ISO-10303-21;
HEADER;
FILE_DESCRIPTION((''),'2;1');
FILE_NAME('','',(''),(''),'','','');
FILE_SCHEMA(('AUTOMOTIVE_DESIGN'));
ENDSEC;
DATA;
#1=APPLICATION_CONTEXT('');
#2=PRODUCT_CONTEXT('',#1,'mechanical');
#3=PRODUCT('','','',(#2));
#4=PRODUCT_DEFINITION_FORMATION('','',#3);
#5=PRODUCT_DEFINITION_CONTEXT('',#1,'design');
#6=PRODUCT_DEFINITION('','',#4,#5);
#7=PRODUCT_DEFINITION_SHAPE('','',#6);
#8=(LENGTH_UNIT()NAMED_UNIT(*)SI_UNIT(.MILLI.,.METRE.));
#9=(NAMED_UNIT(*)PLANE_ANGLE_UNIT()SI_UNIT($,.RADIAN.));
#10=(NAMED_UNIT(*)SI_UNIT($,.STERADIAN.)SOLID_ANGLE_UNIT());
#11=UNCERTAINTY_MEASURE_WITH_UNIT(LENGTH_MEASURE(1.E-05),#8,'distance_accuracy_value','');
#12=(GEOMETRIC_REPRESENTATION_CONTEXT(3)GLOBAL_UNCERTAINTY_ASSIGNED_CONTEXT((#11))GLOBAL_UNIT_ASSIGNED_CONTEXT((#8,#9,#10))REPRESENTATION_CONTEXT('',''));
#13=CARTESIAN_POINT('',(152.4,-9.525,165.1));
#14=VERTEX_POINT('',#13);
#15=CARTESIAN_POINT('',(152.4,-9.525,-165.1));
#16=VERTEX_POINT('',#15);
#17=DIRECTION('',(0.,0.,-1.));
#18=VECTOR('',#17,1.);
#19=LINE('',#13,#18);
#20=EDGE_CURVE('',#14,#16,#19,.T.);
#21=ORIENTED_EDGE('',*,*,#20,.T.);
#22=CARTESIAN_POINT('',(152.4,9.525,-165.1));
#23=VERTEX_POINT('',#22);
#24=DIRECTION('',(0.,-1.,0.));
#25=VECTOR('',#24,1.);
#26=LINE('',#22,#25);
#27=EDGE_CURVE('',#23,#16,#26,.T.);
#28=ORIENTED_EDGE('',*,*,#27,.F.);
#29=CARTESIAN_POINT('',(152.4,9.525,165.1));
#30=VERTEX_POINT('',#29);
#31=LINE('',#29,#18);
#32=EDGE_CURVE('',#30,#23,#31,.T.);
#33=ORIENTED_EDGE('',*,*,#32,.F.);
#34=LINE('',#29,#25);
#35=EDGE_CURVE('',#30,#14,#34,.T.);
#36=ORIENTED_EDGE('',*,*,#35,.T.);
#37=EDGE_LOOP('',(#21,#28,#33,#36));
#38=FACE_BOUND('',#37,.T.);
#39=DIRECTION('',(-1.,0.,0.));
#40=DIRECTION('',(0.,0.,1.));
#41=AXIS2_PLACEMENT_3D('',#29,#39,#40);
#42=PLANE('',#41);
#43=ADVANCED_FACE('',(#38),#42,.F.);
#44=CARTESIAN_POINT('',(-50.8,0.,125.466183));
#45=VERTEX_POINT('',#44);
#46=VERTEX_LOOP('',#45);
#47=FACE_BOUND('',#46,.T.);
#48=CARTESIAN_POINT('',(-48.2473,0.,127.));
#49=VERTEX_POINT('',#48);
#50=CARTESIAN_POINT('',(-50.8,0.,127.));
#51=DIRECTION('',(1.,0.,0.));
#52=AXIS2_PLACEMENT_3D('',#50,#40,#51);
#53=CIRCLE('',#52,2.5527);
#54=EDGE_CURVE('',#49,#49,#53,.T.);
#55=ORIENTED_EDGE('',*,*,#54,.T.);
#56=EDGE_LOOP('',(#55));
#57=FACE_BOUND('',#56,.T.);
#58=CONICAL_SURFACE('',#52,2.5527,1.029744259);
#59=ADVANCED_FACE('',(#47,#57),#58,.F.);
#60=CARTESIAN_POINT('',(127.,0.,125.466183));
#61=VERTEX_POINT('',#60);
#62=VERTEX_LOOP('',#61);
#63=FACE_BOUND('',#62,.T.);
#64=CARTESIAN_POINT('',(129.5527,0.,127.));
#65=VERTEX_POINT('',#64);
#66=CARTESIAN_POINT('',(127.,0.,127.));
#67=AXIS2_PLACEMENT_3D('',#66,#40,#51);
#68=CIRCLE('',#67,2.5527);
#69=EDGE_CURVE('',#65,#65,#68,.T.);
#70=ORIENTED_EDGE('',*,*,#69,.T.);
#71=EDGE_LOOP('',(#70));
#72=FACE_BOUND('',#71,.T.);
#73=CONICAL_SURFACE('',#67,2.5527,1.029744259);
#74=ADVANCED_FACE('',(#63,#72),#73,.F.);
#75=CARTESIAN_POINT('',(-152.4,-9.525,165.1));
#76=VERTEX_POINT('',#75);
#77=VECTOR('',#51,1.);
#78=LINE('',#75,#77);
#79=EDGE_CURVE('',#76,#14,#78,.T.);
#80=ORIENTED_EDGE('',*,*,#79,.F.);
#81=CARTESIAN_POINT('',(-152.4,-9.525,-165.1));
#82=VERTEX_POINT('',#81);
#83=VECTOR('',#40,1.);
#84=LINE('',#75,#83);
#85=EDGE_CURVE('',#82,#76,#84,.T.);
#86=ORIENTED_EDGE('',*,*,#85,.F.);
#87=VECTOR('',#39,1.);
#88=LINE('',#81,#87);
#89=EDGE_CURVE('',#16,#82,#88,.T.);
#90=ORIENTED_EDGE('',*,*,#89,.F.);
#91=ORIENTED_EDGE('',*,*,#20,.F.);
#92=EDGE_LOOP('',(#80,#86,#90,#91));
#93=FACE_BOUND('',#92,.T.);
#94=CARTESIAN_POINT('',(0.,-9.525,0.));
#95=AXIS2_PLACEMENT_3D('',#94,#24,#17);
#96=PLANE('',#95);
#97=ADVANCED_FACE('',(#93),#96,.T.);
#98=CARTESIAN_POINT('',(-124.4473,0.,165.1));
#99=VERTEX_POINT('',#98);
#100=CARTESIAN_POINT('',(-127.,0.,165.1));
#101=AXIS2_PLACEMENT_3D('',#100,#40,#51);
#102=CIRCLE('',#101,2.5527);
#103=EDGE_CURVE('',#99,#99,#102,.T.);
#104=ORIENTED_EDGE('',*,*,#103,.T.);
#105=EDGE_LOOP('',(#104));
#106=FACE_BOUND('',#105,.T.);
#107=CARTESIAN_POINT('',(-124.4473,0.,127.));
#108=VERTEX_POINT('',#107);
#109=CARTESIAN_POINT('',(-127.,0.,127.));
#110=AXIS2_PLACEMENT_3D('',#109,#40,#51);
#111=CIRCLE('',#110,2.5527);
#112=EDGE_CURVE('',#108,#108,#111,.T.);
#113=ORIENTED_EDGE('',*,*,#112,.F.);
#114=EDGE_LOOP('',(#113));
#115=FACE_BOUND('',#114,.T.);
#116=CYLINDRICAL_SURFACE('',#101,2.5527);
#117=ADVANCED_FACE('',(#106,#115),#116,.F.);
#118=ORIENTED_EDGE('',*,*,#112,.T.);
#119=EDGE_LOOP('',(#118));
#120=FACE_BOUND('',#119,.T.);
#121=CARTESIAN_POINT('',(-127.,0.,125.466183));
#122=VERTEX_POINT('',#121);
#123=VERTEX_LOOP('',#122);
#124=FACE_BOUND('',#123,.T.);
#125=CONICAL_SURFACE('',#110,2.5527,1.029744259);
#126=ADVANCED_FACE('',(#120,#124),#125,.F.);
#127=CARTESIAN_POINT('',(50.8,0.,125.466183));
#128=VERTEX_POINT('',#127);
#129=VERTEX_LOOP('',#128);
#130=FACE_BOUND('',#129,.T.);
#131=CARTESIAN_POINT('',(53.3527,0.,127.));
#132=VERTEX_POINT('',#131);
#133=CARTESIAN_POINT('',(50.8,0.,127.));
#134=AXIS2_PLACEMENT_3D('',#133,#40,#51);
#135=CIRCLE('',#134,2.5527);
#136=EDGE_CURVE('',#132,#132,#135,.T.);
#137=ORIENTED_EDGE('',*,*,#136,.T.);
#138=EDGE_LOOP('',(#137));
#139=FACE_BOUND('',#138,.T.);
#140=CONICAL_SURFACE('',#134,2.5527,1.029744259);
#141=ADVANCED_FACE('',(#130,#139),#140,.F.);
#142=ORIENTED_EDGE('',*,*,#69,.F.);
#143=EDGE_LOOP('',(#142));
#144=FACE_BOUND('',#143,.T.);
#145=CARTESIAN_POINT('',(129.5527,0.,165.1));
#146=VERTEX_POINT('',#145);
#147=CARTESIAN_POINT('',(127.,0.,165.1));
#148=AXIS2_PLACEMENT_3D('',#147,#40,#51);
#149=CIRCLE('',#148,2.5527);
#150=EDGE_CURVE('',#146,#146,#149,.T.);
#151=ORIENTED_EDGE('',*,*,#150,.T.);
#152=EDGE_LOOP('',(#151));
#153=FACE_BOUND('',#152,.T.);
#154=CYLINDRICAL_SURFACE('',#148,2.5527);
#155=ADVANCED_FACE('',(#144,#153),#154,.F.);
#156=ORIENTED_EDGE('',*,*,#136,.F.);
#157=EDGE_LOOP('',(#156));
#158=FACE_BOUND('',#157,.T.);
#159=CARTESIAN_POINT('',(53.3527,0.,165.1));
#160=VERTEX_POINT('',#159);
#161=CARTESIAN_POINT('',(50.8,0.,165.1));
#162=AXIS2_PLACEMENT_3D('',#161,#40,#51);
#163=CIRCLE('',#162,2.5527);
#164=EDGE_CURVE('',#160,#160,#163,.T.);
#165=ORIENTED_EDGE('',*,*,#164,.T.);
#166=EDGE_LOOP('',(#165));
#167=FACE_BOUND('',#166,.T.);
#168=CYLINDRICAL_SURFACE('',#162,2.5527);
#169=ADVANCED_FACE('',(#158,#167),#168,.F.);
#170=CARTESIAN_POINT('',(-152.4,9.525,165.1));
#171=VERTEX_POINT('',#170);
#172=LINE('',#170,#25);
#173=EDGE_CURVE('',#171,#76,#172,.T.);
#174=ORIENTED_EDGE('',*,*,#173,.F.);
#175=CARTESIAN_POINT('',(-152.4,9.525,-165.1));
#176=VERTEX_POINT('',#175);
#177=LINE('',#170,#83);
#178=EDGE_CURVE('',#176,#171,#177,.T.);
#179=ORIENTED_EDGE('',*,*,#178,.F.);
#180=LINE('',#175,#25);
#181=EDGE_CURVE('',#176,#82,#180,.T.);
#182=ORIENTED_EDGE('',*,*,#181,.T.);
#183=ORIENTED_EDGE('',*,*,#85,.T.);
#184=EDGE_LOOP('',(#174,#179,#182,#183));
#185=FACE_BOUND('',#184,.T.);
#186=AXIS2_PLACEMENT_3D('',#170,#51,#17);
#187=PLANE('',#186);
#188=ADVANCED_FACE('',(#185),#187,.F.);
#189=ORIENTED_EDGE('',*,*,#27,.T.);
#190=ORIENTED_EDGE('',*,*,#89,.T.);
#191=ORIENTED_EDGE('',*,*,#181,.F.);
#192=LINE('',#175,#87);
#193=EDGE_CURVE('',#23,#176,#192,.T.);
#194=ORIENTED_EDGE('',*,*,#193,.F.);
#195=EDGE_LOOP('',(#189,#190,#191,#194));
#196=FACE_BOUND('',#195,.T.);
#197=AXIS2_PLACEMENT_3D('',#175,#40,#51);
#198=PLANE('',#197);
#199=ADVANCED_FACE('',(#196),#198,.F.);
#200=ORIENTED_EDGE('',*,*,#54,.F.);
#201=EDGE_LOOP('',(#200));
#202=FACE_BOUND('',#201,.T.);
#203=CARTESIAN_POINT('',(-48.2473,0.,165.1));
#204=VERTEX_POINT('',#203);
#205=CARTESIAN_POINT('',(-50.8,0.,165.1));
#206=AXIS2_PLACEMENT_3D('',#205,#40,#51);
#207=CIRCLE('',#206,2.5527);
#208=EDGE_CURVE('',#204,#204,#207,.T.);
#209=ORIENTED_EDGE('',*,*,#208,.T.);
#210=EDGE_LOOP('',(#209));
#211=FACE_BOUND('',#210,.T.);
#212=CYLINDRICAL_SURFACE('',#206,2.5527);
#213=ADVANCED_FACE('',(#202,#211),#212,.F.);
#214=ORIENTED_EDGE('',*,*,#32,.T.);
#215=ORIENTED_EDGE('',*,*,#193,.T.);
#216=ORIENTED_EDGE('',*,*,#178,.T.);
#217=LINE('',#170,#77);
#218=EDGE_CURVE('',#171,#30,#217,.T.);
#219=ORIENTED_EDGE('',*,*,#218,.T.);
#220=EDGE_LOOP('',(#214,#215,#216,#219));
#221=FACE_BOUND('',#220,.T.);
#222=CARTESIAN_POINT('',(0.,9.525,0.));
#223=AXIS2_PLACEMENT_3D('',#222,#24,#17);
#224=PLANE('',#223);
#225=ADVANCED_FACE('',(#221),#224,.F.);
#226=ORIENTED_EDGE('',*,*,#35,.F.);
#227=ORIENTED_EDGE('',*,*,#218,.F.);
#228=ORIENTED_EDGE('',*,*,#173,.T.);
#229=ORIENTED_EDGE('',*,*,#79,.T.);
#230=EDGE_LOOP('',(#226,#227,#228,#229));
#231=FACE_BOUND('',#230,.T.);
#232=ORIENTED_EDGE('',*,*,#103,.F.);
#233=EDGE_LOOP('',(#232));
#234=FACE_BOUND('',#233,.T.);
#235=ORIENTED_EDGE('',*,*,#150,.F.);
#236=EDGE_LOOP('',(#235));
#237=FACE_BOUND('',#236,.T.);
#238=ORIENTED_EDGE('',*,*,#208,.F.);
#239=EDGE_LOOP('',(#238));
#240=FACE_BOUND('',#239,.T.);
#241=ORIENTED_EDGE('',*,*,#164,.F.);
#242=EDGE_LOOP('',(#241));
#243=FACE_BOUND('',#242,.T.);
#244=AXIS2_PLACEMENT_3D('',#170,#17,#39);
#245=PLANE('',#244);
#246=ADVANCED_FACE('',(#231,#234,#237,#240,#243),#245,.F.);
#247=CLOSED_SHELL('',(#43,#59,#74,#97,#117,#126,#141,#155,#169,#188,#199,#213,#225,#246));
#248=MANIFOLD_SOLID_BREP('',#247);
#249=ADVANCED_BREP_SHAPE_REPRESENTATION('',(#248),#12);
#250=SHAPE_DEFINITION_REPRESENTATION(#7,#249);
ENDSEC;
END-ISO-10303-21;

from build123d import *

# Parameters (mm, degrees)
SKETCH2_W                   = 304.8
SKETCH2_H                   = 330.2
BOSS_EXTRUDE1_DEPTH         = 9.525
F_1_4_20_TAPPED_HOLE1_D     = 5.1054
F_1_4_20_TAPPED_HOLE1_DEPTH = 38.1
F_1_4_20_TAPPED_HOLE1_TIP   = 1.533816902


with BuildPart() as part:
    # Sketch2 → Boss-Extrude1 (new, symmetric)
    with BuildSketch(Plane(origin=(0, 0, 0), x_dir=(1, 0, 0), z_dir=(0, 1, 0))):
        Rectangle(SKETCH2_W, SKETCH2_H)
    extrude(amount=BOSS_EXTRUDE1_DEPTH, both=True)

    # 1/4-20 Tapped Hole1
    with Locations(Plane.XY.offset(165.1)):
        with Locations((127, 0), (50.8, 0), (-50.8, 0), (-127, 0)):
            Hole(F_1_4_20_TAPPED_HOLE1_D / 2, depth=F_1_4_20_TAPPED_HOLE1_DEPTH)
            with Locations((0, 0, -(F_1_4_20_TAPPED_HOLE1_DEPTH + F_1_4_20_TAPPED_HOLE1_TIP / 2))):  # 118° drill point
                Cone(0, F_1_4_20_TAPPED_HOLE1_D / 2, F_1_4_20_TAPPED_HOLE1_TIP, mode=Mode.SUBTRACT)


solid = part.part
